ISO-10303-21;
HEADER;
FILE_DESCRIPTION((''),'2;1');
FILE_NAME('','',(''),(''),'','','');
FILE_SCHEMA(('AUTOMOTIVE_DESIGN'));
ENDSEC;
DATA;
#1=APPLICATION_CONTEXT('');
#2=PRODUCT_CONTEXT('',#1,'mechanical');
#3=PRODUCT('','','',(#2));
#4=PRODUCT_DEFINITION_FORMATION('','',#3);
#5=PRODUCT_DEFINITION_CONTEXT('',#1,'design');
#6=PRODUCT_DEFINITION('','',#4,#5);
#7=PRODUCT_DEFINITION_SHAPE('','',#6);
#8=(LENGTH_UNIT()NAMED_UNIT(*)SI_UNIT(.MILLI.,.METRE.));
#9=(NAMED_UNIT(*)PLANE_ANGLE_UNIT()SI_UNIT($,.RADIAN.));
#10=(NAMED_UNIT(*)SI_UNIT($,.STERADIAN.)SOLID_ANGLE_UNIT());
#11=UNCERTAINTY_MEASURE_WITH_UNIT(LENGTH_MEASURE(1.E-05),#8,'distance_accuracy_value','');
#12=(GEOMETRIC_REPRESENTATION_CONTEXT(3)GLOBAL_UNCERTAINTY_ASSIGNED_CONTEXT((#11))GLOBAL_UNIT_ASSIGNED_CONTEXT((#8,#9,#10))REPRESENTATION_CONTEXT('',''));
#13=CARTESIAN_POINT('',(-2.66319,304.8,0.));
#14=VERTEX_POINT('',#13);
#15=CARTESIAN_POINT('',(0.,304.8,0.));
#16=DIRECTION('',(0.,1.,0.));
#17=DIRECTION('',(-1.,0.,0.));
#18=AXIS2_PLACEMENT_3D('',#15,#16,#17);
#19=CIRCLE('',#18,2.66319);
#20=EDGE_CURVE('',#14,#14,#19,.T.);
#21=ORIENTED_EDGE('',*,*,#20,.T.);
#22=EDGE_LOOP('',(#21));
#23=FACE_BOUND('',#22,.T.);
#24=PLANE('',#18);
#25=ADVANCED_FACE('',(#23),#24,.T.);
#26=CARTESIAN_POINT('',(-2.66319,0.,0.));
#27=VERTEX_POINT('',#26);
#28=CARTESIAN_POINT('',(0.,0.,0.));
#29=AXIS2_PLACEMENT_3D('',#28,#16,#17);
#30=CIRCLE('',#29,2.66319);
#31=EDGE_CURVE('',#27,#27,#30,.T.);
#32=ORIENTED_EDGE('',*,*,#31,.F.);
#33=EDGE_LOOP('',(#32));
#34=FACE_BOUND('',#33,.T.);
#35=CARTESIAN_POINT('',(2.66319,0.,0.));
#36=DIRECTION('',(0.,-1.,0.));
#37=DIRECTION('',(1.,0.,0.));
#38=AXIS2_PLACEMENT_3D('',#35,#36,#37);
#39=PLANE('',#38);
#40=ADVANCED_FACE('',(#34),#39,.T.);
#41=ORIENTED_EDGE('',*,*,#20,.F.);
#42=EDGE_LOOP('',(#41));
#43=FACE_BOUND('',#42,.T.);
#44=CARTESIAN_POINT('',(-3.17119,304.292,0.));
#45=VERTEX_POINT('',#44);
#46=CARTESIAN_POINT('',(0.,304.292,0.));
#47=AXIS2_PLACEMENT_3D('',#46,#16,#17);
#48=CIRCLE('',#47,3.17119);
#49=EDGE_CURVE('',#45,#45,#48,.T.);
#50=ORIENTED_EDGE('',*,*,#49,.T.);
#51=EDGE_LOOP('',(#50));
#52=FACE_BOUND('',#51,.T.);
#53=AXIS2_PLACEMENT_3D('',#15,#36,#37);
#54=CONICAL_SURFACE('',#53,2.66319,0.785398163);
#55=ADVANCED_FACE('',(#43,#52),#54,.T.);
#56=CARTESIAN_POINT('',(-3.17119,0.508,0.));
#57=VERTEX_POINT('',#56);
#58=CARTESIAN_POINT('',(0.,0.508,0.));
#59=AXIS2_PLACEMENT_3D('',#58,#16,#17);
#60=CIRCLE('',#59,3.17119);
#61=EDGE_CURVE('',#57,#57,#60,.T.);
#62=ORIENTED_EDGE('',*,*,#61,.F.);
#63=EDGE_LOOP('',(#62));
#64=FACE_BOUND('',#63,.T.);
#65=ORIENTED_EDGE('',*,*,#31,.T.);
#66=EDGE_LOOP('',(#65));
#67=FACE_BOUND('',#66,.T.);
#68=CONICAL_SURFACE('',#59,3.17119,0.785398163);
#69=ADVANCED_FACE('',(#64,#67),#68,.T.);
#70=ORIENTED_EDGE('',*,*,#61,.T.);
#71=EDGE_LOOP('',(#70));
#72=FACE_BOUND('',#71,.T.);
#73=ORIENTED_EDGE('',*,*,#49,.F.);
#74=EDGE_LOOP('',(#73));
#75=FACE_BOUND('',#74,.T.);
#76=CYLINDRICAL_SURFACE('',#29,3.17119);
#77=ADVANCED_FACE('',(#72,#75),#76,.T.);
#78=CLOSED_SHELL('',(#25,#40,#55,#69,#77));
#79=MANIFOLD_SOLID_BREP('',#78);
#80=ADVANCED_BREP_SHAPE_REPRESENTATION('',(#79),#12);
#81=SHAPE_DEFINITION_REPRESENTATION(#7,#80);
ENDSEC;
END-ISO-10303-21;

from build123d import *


with BuildPart() as part:
    # Sketch1 → Revolve1 (revolve)
    with BuildSketch(Plane(origin=(0, 0, 0), x_dir=(-1, 0, 0), z_dir=(0, 0, -1))):
        Polygon((-2.66319, 0), (0, 0), (0, 304.8), (-2.66319, 304.8), (-3.17119, 304.292), (-3.17119, 0.508), align=None)
    revolve(axis=Axis((0, 0, 0), (0, 1, 0)))


solid = part.part
